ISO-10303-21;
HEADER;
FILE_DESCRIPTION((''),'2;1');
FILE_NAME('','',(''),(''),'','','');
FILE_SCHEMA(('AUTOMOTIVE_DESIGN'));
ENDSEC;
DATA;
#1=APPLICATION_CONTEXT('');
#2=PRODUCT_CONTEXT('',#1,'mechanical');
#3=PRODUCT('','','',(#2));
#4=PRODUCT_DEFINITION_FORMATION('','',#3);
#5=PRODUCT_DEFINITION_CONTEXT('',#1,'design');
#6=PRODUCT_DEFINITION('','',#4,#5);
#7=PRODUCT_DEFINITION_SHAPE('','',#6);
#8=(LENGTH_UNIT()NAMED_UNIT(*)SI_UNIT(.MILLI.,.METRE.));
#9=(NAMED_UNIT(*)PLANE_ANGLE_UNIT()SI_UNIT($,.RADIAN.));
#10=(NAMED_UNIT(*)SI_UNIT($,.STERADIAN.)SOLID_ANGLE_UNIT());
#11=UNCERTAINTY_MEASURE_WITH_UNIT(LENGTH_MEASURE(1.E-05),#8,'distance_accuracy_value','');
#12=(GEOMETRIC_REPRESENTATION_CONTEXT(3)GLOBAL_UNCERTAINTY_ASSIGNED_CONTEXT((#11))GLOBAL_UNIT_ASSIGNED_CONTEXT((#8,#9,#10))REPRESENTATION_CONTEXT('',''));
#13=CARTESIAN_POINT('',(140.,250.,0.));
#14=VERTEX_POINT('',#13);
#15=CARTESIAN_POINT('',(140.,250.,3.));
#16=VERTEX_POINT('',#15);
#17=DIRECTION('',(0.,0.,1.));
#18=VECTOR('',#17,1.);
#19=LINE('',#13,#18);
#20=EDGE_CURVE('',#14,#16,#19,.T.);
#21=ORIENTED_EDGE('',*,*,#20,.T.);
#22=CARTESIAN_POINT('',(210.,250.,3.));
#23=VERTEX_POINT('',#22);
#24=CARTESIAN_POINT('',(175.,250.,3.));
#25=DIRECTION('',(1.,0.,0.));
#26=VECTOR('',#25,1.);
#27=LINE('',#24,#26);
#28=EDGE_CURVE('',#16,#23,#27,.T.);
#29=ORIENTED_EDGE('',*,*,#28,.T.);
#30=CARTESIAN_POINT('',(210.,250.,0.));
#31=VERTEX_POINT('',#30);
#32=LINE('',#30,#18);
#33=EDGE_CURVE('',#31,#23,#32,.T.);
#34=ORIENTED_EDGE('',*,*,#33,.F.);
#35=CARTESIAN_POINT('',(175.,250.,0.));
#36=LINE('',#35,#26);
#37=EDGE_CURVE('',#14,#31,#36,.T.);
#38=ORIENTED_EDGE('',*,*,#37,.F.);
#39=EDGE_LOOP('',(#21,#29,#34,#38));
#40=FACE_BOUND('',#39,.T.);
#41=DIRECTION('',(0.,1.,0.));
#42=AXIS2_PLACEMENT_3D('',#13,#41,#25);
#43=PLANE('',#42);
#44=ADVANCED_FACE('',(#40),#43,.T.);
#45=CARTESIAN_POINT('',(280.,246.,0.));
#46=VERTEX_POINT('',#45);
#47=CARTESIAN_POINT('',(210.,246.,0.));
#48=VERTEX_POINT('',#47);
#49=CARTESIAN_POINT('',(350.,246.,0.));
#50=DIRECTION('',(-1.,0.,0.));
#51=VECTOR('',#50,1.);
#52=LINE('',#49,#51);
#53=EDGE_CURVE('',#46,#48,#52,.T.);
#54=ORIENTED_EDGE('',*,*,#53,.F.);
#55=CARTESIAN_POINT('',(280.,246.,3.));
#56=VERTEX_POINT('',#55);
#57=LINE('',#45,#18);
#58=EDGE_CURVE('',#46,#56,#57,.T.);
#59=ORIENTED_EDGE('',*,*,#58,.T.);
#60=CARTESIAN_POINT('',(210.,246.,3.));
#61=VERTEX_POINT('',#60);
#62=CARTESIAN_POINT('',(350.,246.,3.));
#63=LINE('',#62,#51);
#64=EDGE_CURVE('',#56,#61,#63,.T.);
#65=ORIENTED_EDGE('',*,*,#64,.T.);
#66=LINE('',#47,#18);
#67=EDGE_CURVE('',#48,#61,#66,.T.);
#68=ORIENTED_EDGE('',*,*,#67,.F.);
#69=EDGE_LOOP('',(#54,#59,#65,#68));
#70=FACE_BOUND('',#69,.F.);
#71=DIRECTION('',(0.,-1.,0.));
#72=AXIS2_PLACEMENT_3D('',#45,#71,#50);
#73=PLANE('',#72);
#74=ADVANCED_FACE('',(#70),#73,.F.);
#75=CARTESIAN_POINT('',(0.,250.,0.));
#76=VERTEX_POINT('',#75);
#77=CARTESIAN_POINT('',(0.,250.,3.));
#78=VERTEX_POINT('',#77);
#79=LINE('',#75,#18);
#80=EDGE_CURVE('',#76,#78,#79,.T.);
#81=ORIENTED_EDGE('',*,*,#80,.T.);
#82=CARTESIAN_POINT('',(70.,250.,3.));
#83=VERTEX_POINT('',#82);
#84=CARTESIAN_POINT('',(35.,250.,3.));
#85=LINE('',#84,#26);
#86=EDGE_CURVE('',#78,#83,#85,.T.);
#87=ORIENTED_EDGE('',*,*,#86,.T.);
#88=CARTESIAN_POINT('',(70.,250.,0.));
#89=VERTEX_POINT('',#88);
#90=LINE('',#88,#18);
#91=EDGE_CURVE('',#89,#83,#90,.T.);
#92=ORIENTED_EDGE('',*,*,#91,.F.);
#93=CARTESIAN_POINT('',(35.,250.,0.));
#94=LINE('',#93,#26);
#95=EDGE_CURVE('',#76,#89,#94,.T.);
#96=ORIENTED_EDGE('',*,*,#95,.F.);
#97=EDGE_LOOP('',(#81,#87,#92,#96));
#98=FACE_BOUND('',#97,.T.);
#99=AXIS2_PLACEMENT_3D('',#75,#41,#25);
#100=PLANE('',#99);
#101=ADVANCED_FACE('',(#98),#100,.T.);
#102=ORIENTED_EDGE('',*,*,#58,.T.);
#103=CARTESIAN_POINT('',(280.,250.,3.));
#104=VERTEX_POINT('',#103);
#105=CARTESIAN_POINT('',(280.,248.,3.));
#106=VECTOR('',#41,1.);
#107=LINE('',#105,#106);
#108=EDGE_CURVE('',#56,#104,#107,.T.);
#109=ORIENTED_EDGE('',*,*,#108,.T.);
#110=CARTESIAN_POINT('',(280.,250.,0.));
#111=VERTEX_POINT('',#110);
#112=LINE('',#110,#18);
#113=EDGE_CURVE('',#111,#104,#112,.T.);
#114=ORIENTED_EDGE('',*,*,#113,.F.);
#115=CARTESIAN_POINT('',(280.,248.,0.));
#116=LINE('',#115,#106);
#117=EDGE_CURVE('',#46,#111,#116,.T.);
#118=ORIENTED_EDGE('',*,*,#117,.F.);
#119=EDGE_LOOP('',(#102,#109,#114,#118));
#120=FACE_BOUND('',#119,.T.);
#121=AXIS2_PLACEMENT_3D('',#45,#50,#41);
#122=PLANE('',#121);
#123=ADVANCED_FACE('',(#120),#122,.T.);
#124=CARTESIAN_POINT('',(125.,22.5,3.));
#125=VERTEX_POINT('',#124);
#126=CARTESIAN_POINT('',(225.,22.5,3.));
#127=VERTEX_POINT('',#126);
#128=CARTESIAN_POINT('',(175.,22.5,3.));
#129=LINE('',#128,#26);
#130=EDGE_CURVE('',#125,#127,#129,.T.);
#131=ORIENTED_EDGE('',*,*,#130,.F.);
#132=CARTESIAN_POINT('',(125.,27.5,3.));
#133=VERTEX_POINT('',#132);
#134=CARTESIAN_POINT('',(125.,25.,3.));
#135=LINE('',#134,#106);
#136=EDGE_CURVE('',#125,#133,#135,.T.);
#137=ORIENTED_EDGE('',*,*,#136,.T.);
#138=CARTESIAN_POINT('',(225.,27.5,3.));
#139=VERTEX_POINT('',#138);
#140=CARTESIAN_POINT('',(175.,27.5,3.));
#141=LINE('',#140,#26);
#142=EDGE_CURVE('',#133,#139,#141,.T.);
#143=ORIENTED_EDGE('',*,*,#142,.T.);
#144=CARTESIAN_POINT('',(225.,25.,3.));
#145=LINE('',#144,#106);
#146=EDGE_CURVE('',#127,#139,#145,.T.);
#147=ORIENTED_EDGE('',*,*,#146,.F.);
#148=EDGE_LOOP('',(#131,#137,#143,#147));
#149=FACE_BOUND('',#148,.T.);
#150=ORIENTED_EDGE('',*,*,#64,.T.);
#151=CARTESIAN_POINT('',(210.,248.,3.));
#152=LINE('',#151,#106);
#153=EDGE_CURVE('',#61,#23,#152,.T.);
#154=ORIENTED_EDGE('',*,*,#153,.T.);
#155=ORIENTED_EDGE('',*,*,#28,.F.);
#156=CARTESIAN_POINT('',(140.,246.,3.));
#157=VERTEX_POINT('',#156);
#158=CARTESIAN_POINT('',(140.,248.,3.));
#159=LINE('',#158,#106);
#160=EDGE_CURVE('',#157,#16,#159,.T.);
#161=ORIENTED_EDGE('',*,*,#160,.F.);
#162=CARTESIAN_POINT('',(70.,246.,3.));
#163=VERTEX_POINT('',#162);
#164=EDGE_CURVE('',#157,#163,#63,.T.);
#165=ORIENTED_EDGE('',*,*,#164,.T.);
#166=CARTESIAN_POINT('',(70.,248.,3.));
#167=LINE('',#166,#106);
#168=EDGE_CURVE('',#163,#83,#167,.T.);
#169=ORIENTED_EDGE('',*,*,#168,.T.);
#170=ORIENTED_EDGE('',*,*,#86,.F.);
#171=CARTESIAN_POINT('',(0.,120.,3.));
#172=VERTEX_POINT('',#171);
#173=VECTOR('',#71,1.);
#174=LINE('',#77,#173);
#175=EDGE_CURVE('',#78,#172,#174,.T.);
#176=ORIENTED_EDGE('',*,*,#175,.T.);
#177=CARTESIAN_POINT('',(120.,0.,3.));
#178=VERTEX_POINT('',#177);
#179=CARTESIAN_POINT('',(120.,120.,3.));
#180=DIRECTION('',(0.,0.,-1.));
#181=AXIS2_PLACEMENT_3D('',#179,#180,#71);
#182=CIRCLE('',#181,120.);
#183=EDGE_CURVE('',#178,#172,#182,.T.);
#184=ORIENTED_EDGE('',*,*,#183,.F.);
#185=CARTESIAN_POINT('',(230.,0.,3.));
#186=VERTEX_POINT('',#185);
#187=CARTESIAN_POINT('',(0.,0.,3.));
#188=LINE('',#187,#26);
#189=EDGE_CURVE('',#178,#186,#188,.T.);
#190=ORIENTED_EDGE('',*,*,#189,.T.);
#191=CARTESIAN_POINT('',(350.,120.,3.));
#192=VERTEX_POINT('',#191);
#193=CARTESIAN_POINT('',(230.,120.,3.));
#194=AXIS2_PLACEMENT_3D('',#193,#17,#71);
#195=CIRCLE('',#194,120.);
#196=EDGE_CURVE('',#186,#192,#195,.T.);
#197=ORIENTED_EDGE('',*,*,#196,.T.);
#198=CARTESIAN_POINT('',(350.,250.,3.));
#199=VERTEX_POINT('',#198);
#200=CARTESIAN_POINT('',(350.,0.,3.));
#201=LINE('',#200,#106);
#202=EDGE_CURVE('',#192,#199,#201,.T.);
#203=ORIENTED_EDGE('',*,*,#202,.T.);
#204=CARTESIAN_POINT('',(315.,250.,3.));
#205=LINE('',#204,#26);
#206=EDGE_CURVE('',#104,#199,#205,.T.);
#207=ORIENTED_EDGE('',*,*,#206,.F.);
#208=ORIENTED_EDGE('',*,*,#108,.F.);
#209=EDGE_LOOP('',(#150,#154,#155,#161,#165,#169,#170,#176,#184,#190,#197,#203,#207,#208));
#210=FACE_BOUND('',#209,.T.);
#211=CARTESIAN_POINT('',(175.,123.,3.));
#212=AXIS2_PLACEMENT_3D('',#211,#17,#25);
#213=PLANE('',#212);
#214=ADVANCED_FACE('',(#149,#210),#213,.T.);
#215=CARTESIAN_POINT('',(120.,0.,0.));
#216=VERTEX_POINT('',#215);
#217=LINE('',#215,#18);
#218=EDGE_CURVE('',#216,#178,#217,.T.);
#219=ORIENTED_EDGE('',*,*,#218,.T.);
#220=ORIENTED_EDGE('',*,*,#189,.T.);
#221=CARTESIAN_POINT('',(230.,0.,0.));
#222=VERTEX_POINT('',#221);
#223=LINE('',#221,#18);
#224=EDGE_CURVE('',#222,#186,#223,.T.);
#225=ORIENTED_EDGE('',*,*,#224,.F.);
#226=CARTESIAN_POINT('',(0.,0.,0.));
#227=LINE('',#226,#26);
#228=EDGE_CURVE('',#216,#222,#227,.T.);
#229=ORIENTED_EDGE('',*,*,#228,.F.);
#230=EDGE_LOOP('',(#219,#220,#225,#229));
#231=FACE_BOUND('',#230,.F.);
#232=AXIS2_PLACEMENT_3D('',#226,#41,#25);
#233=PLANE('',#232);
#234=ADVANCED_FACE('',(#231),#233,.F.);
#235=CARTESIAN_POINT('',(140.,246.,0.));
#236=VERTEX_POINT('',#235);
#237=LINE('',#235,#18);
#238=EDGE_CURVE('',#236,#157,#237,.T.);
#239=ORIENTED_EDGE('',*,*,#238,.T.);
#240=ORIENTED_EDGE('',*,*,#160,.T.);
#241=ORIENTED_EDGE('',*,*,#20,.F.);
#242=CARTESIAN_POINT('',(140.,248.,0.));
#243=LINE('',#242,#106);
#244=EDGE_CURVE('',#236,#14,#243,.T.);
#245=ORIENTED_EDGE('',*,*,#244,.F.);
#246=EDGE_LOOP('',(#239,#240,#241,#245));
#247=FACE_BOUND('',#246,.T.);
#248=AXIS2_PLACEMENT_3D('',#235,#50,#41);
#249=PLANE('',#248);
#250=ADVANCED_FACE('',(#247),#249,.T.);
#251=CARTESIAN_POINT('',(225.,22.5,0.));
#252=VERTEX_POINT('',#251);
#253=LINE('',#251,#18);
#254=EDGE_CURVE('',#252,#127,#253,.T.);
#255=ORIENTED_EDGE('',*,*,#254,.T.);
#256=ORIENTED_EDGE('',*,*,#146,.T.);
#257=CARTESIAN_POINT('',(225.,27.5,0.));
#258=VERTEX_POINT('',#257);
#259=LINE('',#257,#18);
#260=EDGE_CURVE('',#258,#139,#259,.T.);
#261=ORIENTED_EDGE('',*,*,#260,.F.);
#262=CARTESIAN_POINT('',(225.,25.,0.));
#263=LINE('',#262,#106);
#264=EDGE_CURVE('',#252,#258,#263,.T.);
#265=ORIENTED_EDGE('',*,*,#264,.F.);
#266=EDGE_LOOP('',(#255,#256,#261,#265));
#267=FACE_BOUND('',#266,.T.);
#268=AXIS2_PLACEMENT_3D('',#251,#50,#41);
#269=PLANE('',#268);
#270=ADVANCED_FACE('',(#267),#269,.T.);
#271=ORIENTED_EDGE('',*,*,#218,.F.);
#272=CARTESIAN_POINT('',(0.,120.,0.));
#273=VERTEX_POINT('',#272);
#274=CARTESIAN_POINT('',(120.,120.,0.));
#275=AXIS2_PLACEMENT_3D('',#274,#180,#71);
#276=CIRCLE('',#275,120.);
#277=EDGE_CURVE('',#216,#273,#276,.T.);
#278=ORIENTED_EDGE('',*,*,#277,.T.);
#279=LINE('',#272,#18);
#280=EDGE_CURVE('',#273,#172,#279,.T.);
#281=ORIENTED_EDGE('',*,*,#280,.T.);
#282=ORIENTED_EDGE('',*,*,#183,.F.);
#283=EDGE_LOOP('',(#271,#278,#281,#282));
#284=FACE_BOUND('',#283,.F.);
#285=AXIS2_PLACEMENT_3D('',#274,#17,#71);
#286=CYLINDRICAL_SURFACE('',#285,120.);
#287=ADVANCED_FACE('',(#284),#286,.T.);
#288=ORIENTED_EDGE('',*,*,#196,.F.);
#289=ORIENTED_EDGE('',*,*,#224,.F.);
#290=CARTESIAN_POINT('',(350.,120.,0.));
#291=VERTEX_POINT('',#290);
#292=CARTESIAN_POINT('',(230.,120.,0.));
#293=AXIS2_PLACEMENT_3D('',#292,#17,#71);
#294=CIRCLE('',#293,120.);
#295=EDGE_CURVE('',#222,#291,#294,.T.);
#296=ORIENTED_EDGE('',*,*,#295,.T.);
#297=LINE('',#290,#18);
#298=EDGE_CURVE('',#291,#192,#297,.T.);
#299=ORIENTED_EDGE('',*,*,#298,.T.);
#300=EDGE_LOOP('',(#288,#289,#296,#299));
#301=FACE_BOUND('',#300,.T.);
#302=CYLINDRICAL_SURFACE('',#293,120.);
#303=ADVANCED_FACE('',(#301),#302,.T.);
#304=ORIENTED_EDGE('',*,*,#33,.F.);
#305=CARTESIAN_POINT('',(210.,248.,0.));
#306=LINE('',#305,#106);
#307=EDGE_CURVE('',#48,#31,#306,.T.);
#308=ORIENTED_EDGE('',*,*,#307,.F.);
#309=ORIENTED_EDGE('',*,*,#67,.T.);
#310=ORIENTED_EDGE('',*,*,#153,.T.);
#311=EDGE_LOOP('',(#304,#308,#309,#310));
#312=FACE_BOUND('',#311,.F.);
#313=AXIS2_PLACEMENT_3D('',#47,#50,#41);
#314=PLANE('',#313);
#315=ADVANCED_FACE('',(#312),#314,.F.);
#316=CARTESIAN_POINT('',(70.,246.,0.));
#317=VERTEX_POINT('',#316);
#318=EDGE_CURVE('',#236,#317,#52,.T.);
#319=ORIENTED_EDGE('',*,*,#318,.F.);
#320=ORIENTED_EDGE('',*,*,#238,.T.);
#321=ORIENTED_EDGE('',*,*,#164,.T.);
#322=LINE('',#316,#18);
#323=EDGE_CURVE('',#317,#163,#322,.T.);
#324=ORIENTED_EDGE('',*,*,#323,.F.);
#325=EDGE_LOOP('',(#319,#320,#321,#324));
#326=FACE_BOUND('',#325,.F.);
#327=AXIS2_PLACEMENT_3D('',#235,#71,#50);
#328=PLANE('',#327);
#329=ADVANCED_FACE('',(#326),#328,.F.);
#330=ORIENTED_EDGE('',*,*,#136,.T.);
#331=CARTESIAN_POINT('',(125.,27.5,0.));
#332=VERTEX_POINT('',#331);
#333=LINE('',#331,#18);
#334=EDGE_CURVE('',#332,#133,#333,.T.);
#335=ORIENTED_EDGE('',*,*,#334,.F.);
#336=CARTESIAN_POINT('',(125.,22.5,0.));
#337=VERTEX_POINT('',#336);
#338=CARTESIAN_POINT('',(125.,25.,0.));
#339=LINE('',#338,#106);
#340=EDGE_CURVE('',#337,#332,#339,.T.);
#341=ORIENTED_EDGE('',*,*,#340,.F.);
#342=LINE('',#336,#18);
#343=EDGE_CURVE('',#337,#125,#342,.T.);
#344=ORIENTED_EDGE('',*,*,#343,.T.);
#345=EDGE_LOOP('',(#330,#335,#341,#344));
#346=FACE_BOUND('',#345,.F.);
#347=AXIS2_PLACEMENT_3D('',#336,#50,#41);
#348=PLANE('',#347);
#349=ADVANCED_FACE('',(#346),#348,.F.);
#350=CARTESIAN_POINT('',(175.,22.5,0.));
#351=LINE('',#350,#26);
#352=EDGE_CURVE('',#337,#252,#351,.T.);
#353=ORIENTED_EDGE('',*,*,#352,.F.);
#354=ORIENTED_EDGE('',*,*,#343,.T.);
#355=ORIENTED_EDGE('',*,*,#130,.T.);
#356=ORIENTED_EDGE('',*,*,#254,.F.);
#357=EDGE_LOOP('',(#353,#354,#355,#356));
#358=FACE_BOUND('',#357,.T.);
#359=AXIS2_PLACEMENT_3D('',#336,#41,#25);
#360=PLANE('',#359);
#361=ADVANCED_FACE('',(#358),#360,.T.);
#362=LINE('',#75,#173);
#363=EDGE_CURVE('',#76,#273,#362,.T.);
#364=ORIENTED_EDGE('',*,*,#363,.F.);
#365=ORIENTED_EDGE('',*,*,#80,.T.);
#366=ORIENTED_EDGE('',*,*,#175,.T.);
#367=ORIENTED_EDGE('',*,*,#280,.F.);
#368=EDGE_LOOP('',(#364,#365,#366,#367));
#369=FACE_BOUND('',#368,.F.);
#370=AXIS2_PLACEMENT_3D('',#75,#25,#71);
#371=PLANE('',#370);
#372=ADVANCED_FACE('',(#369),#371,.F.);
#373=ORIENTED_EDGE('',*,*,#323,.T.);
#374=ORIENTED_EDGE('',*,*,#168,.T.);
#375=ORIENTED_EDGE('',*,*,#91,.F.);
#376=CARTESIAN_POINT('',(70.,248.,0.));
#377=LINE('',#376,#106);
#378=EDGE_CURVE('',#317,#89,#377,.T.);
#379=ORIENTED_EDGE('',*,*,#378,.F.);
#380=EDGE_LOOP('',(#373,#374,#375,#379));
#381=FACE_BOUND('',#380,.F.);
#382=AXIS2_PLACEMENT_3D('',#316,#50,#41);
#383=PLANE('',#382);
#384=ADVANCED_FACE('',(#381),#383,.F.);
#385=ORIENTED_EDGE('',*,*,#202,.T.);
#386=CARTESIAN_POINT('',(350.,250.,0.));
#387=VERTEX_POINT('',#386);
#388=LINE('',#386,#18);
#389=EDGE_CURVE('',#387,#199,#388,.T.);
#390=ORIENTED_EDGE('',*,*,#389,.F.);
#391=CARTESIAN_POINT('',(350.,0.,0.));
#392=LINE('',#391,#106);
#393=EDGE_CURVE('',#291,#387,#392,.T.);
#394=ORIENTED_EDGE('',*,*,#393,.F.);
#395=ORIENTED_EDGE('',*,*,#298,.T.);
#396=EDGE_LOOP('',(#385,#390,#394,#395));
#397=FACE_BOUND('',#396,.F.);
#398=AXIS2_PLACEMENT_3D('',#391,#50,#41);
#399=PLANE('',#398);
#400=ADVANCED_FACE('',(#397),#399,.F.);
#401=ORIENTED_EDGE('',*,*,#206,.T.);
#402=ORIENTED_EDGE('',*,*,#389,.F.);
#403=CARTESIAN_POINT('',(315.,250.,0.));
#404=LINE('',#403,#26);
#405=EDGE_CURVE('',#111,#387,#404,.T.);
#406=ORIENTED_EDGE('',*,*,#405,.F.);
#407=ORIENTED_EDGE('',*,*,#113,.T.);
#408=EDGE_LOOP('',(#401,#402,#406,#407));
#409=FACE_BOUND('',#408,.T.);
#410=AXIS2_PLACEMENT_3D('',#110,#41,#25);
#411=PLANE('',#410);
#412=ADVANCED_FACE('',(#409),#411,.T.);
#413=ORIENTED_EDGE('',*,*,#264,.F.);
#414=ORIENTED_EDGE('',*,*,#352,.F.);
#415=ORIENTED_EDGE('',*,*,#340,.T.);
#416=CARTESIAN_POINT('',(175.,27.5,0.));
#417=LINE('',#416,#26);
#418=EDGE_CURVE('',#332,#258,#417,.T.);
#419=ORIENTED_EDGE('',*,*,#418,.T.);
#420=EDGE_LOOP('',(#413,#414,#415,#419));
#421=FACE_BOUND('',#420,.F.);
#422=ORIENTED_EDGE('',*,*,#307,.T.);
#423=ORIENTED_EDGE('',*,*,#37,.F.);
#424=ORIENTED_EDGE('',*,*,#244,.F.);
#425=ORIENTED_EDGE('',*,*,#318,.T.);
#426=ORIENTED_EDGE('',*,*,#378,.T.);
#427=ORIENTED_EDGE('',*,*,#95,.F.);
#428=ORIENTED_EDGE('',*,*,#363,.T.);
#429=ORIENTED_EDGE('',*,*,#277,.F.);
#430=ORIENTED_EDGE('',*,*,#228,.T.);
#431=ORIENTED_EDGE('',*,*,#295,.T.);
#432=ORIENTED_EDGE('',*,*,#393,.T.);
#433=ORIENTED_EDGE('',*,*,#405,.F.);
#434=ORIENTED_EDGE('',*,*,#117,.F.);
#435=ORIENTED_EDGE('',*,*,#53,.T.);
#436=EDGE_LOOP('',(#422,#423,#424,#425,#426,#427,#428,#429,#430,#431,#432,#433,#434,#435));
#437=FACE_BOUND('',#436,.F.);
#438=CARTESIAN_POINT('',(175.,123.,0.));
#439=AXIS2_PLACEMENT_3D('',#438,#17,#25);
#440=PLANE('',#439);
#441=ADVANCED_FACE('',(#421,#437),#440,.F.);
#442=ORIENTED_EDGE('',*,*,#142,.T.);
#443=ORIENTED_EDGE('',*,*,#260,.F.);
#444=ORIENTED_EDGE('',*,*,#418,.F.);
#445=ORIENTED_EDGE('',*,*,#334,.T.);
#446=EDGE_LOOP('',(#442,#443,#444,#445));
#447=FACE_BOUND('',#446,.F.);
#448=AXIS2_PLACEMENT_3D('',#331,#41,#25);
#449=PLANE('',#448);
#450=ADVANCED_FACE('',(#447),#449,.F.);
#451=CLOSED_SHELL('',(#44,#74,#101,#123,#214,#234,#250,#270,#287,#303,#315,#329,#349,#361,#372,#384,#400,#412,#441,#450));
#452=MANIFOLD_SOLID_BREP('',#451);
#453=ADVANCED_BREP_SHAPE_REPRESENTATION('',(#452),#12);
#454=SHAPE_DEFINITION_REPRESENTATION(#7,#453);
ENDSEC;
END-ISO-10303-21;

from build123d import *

# Parameters (mm, degrees)
F0_W     = 100
F0_H     = 5
F0_W_2   = 70
F0_H_2   = 4
F1_DEPTH = 3
F2_R     = 120


with BuildPart() as f1:
    # F0 (on Top) → F1 (new body)
    with BuildSketch(Plane.XY):
        Polygon((0, 246), (0, 0), (350, 0), (350, 246), (280, 246), (210, 246), (140, 246), (70, 246), align=None)
        with Locations((175, 25)):
            Rectangle(F0_W, F0_H, mode=Mode.SUBTRACT)
        with Locations((175, 248)):
            Rectangle(F0_W_2, F0_H_2)
        with Locations((315, 248)):
            Rectangle(F0_W_2, F0_H_2)
        with Locations((35, 248)):
            Rectangle(F0_W_2, F0_H_2)
    extrude(amount=F1_DEPTH)

    # F2
    f2_edges = [f1.edges().sort_by_distance(p)[0] for p in [
        (0, 0, 1.5),
        (350, 0, 1.5),
    ]]
    fillet(f2_edges, radius=F2_R)


solid = f1.part
